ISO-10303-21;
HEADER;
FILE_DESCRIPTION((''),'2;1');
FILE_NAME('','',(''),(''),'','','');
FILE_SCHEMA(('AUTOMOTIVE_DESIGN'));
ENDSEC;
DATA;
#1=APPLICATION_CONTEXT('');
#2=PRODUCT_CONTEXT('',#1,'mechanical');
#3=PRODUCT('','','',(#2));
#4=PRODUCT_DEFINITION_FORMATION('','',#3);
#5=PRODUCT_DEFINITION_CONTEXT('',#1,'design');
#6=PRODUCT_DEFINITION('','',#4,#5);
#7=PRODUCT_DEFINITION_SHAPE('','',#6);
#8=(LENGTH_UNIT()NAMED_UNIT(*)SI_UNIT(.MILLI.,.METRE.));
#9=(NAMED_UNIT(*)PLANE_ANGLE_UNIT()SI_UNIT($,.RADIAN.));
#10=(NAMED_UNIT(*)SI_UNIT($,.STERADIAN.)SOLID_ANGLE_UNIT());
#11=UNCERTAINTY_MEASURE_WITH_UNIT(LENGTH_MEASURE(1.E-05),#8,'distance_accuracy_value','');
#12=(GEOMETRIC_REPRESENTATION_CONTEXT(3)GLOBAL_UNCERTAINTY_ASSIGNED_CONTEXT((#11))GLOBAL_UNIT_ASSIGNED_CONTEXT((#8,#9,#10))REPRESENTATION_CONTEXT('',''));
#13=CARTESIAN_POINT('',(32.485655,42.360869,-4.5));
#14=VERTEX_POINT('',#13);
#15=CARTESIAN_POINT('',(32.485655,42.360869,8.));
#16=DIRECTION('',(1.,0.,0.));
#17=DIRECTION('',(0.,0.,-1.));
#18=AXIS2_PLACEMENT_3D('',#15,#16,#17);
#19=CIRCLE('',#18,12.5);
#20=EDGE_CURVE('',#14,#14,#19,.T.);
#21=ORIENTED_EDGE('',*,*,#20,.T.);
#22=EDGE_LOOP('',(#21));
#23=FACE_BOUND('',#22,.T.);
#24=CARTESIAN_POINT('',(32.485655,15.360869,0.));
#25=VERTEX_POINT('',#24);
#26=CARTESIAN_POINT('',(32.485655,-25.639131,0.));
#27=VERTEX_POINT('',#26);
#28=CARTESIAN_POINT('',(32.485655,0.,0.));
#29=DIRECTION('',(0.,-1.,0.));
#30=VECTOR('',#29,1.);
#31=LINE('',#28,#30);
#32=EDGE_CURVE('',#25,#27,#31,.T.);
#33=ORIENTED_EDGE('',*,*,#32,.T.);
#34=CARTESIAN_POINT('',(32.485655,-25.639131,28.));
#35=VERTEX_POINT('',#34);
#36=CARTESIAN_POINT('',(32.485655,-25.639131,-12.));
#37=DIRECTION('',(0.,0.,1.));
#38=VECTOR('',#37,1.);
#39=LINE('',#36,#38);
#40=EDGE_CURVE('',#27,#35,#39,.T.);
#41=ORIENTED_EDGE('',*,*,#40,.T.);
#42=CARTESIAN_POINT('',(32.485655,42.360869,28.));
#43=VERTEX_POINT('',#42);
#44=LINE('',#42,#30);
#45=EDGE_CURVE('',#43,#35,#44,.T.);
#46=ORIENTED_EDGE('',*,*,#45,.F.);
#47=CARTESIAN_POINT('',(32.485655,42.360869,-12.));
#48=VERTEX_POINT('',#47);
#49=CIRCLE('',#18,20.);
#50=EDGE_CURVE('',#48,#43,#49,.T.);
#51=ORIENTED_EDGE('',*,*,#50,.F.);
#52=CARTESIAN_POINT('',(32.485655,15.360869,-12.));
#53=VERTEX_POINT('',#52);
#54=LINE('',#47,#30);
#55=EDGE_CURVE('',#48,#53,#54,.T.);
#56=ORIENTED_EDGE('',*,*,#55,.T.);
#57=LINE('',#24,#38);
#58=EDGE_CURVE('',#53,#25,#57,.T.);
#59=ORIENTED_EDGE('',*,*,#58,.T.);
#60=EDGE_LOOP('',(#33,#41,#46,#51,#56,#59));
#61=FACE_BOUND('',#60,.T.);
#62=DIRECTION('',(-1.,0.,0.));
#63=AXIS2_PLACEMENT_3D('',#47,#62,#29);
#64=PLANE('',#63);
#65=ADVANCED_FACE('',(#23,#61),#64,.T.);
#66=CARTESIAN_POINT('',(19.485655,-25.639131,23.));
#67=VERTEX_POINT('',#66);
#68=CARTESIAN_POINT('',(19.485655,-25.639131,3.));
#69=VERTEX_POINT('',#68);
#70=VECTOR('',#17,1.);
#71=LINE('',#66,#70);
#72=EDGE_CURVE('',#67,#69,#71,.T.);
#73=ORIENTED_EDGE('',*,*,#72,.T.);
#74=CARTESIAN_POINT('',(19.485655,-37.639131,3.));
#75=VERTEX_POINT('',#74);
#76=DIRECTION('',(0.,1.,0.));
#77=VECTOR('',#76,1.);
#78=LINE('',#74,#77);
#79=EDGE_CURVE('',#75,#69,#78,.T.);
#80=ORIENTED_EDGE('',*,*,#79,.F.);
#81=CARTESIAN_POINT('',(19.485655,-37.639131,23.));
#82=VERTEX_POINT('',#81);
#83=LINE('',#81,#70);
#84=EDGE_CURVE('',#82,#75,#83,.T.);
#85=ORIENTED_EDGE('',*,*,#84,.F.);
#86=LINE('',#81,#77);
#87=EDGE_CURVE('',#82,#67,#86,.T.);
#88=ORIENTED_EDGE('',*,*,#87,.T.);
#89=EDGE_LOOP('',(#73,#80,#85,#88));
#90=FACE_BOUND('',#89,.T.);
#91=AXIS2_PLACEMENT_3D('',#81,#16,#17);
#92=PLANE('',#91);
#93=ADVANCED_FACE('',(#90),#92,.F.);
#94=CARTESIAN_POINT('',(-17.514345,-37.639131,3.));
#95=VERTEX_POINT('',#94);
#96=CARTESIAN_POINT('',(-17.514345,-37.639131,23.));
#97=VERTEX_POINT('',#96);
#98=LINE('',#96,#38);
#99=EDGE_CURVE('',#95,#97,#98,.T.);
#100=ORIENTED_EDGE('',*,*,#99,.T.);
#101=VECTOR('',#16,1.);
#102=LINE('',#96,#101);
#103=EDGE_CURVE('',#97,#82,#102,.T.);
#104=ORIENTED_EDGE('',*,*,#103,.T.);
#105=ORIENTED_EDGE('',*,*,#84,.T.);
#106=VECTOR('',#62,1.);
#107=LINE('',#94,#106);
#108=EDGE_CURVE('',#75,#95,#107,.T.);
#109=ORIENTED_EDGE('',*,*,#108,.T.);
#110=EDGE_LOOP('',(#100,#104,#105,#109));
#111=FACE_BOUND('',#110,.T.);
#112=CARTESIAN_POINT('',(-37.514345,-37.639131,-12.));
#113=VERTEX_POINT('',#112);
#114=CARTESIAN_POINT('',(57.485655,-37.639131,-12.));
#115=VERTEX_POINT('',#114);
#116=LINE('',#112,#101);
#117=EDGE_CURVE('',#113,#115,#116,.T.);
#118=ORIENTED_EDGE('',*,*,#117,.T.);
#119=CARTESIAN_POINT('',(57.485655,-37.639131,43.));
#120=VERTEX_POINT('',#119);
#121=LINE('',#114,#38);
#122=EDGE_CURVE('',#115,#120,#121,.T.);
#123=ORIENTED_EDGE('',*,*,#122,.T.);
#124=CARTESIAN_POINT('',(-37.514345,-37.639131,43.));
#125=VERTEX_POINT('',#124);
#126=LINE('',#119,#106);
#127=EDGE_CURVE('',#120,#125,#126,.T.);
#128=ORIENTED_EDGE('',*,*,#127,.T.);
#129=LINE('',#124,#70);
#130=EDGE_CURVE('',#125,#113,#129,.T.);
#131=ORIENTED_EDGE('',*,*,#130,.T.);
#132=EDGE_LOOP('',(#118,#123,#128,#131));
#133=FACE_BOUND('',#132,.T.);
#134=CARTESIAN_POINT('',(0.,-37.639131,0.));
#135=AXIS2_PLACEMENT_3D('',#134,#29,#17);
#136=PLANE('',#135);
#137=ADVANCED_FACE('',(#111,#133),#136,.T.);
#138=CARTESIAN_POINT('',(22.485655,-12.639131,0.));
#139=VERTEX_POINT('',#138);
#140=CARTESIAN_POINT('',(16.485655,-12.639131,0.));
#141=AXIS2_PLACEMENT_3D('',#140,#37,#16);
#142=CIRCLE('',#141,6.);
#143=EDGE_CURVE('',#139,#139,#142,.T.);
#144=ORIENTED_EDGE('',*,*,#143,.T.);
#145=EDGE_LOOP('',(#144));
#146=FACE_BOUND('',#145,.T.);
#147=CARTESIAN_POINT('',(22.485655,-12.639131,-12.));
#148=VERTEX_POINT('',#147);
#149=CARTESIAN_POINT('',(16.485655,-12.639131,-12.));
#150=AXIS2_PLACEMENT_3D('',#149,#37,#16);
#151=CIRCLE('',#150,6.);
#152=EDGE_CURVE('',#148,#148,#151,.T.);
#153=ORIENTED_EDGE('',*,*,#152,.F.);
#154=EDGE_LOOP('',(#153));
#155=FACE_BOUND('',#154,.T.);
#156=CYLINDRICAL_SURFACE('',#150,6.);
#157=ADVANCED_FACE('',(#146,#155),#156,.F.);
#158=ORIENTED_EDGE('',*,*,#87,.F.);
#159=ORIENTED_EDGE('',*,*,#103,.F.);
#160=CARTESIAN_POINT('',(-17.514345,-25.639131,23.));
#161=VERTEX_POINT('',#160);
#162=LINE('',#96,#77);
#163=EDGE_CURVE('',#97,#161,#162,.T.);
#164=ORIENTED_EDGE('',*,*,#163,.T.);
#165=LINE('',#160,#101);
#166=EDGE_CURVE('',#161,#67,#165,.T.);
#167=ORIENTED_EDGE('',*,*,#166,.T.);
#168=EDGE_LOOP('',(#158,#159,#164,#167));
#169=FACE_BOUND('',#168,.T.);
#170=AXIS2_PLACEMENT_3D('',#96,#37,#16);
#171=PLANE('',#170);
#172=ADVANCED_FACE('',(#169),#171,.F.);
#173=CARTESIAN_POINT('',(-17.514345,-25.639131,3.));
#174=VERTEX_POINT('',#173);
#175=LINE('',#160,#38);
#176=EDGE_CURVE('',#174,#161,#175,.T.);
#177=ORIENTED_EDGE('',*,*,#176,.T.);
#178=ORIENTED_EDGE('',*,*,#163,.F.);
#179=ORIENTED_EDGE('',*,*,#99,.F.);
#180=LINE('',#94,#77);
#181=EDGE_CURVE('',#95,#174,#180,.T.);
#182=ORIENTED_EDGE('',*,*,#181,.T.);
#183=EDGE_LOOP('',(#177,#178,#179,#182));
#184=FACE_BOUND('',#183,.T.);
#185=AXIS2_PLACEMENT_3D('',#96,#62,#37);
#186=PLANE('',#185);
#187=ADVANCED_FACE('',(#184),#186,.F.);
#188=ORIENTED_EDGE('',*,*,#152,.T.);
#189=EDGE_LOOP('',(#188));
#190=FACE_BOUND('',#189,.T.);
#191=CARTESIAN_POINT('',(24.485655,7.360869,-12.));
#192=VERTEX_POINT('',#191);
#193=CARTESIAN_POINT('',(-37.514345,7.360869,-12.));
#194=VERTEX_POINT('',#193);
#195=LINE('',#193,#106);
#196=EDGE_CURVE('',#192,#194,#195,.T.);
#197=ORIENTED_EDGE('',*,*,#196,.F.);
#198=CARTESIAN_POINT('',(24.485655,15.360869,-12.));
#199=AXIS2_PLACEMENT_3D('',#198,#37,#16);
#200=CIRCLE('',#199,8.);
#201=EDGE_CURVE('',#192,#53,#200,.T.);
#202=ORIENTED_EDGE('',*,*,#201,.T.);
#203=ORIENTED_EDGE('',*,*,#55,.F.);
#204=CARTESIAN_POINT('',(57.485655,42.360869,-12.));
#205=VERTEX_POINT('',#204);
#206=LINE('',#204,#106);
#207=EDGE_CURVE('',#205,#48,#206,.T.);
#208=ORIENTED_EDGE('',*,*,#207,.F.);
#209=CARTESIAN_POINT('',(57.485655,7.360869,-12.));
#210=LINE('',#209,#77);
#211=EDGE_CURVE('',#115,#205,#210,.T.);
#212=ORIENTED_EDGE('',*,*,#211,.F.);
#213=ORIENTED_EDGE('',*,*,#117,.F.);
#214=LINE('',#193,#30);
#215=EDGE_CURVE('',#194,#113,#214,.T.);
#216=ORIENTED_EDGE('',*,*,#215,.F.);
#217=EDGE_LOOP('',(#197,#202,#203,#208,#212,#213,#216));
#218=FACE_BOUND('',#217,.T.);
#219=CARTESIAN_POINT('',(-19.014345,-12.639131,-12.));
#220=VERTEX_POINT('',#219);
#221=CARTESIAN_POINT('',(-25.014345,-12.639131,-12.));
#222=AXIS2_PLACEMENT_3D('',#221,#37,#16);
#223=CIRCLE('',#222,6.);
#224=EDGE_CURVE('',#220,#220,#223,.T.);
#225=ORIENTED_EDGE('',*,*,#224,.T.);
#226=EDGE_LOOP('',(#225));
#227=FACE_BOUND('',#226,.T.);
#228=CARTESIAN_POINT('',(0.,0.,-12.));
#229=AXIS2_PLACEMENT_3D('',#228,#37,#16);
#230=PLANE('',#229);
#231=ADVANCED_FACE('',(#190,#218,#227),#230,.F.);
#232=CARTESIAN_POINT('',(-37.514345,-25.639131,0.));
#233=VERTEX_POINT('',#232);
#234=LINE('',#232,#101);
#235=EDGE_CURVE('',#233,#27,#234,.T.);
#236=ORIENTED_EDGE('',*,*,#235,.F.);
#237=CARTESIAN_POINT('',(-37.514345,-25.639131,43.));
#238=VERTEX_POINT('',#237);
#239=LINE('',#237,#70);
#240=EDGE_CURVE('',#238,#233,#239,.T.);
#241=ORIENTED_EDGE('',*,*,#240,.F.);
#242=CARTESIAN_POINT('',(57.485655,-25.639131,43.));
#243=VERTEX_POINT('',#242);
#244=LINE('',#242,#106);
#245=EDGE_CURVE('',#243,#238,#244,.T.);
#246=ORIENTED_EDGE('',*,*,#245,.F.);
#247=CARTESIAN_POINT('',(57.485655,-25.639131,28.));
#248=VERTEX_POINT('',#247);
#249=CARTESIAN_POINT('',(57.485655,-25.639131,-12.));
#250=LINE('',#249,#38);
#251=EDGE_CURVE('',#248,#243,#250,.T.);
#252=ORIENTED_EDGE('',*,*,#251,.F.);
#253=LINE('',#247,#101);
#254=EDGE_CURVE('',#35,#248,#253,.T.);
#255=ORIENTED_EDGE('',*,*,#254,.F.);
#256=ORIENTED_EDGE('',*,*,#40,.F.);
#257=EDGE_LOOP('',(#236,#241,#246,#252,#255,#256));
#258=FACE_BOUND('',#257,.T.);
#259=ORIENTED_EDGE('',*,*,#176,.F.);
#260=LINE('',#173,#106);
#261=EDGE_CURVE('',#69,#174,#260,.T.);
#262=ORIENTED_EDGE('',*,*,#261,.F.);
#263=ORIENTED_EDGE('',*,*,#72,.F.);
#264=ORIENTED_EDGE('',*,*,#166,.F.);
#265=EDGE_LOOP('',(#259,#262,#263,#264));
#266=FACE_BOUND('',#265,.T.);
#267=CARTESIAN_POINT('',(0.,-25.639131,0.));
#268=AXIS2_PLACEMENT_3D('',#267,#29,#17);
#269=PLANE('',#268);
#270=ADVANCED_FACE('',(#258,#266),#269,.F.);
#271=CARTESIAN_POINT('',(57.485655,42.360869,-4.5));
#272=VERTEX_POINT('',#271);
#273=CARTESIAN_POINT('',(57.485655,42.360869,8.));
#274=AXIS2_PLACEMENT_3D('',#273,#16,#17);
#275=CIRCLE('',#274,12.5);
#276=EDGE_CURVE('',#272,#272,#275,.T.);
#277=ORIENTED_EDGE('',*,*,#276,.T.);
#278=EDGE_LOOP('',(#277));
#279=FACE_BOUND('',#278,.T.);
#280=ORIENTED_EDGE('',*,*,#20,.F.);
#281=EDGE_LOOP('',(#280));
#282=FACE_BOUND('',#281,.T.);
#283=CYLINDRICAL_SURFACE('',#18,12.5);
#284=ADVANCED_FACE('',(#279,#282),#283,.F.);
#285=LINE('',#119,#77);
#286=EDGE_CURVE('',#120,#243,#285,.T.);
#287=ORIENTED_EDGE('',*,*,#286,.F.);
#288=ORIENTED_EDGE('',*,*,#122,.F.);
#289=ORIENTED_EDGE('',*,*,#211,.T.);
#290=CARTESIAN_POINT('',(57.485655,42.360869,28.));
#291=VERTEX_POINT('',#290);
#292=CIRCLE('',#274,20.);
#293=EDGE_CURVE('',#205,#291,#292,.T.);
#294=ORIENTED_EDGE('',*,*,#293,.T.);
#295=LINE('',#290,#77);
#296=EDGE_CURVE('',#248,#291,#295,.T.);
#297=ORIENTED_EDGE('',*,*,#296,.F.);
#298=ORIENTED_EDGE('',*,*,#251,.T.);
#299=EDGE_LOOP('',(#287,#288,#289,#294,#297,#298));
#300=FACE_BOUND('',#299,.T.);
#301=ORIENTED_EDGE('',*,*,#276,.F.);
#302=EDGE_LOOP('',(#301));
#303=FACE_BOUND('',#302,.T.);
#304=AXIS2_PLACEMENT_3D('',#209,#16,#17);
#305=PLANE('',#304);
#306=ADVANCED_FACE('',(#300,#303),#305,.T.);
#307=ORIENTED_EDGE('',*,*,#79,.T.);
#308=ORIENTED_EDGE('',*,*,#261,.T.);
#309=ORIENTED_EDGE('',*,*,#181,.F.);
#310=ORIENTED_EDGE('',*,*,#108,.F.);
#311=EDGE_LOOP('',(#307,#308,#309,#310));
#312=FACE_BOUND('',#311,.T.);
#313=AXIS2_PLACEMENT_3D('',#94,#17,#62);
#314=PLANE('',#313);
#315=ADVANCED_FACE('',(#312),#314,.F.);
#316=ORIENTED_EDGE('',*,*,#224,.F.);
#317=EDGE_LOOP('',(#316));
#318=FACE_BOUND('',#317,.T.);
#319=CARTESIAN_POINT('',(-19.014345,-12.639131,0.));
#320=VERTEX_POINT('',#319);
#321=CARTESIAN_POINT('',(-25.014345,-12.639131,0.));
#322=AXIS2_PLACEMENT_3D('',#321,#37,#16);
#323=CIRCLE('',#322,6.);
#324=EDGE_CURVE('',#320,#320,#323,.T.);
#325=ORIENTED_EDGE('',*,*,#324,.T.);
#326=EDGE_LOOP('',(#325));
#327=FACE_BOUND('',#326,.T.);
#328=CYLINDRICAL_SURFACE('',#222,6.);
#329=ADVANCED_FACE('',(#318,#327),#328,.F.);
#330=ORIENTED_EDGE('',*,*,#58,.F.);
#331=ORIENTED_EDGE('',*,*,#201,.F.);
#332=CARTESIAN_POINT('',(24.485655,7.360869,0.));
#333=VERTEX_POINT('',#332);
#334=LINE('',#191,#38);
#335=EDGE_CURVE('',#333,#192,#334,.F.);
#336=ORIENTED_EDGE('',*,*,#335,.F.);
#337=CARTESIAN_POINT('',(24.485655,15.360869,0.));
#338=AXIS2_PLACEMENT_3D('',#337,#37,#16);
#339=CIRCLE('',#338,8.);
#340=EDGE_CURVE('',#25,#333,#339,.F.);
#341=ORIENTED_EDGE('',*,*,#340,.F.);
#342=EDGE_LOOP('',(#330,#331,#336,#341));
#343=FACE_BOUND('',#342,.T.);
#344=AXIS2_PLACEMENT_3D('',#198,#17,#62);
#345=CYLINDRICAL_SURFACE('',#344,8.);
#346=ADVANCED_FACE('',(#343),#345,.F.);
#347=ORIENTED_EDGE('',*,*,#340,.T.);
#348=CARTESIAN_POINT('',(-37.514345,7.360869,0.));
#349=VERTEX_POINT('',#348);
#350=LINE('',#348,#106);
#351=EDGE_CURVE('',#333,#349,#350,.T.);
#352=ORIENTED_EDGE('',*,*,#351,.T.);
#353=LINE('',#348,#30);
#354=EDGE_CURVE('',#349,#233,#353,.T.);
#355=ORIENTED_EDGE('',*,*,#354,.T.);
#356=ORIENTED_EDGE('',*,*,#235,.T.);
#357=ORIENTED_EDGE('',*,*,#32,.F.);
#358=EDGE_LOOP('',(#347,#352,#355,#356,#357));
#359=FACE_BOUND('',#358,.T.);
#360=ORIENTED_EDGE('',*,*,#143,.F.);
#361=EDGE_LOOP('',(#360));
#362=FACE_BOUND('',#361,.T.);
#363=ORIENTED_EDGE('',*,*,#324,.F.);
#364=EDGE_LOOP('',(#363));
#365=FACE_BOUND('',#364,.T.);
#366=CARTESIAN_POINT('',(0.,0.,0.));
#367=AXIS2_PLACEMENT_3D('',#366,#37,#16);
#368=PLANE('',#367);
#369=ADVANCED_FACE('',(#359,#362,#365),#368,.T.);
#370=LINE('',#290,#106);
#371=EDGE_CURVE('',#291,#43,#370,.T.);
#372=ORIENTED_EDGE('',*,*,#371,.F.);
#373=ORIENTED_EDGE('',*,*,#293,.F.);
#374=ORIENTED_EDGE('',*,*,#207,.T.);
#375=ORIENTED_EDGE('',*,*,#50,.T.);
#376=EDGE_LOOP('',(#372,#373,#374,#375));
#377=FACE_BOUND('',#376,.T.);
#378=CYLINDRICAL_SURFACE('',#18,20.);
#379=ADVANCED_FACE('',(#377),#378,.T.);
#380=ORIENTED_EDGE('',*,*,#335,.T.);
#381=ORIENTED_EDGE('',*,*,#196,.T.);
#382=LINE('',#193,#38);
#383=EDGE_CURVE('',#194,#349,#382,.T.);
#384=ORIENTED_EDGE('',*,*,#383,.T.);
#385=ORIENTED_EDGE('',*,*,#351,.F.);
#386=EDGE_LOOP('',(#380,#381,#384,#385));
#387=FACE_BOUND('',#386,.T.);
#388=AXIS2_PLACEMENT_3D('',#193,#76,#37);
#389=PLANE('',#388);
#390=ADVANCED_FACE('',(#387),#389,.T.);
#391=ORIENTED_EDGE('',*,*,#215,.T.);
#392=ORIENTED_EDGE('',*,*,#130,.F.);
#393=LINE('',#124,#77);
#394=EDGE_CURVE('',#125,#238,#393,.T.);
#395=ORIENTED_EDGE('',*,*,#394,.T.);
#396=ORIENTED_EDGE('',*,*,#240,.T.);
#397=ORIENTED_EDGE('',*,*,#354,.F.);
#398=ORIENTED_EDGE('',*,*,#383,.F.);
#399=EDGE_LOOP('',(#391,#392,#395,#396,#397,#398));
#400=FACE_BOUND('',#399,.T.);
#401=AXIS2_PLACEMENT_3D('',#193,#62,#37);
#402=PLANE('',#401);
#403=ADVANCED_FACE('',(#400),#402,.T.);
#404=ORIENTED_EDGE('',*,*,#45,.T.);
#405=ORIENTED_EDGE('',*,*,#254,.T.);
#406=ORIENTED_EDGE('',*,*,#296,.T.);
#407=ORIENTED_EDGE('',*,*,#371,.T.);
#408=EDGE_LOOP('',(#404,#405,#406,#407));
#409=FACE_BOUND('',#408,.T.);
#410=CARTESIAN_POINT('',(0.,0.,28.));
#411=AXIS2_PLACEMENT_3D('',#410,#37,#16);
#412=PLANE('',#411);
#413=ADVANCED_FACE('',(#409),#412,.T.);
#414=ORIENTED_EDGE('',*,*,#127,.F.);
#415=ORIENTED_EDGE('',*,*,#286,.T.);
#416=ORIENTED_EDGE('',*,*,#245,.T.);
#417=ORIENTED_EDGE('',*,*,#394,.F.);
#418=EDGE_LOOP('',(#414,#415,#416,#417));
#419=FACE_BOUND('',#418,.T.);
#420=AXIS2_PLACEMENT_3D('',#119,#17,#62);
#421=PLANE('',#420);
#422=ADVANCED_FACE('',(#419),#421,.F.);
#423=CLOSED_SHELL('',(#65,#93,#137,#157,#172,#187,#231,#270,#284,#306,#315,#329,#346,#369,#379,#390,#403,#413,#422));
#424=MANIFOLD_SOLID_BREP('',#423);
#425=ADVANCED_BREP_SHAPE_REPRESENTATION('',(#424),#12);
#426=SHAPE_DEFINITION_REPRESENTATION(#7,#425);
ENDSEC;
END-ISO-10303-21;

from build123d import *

# Parameters (mm, degrees)
SKETCH1_W                = 95
SKETCH1_H                = 33
BOSS_EXTRUDE1_DEPTH      = 12
SKETCH2_R                = 6
CUT_EXTRUDE1_DEPTH       = 12
SKETCH3_W                = 25
SKETCH3_H                = 68
BOSS_EXTRUDE2_DEPTH      = 28
BOSS_EXTRUDE2_DEPTH_BACK = 12
SKETCH4_R                = 20
BOSS_EXTRUDE3_DEPTH      = 25
SKETCH5_R                = 12.5
CUT_EXTRUDE2_DEPTH       = 25
SKETCH6_W                = 95
SKETCH6_H                = 55
BOSS_EXTRUDE4_DEPTH      = 12
SKETCH7_W                = 37
SKETCH7_H                = 20
CUT_EXTRUDE3_DEPTH       = 12
FILLET1_R                = 8


with BuildPart() as part:
    # Sketch1 → Boss-Extrude1 (new body)
    with BuildSketch(Plane.XY):
        with Locations((9.985654596, -9.139131357)):
            Rectangle(SKETCH1_W, SKETCH1_H)
    extrude(amount=-BOSS_EXTRUDE1_DEPTH)

    # Sketch2 → Cut-Extrude1 (cut)
    with BuildSketch(Plane.XY):
        with Locations((-25.014345404, -12.639131357)):
            Circle(SKETCH2_R)
        with Locations((16.485654596, -12.639131357)):
            Circle(SKETCH2_R)
    extrude(amount=-CUT_EXTRUDE1_DEPTH, mode=Mode.SUBTRACT)

    # Sketch3 → Boss-Extrude2 (add, two sides)
    with BuildSketch(Plane.XY) as boss_extrude2_sk:
        with Locations((44.985654596, 8.360868643)):
            Rectangle(SKETCH3_W, SKETCH3_H)
    extrude(amount=BOSS_EXTRUDE2_DEPTH)
    extrude(boss_extrude2_sk.sketch, amount=-BOSS_EXTRUDE2_DEPTH_BACK)

    # Sketch4 → Boss-Extrude3 (add)
    with BuildSketch(Plane(origin=(57.485654596, 0, 0), x_dir=(0, 0, -1), z_dir=(1, 0, 0))):
        with Locations((-8, 42.360868643)):
            Circle(SKETCH4_R)
    extrude(amount=-BOSS_EXTRUDE3_DEPTH)

    # Sketch5 → Cut-Extrude2 (cut)
    with BuildSketch(Plane(origin=(57.485654596, 0, 0), x_dir=(0, 0, -1), z_dir=(1, 0, 0))):
        with Locations((-8, 42.360868643)):
            Circle(SKETCH5_R)
    extrude(amount=-CUT_EXTRUDE2_DEPTH, mode=Mode.SUBTRACT)

    # Sketch6 → Boss-Extrude4 (add)
    with BuildSketch(Plane.XZ.offset(25.639131357)):
        with Locations((9.985654596, 15.5)):
            Rectangle(SKETCH6_W, SKETCH6_H)
    extrude(amount=BOSS_EXTRUDE4_DEPTH)

    # Sketch7 → Cut-Extrude3 (cut)
    with BuildSketch(Plane(origin=(0, -25.639131357, 0), x_dir=(1, 0, 0), z_dir=(0, 1, 0))):
        with Locations((0.985654596, -13)):
            Rectangle(SKETCH7_W, SKETCH7_H)
    extrude(amount=-CUT_EXTRUDE3_DEPTH, mode=Mode.SUBTRACT)

    # Fillet1
    fillet1_edges = [part.edges().sort_by_distance(p)[0] for p in [
        (32.485654596, 7.360868643, -6),
    ]]
    fillet(fillet1_edges, radius=FILLET1_R)


solid = part.part
